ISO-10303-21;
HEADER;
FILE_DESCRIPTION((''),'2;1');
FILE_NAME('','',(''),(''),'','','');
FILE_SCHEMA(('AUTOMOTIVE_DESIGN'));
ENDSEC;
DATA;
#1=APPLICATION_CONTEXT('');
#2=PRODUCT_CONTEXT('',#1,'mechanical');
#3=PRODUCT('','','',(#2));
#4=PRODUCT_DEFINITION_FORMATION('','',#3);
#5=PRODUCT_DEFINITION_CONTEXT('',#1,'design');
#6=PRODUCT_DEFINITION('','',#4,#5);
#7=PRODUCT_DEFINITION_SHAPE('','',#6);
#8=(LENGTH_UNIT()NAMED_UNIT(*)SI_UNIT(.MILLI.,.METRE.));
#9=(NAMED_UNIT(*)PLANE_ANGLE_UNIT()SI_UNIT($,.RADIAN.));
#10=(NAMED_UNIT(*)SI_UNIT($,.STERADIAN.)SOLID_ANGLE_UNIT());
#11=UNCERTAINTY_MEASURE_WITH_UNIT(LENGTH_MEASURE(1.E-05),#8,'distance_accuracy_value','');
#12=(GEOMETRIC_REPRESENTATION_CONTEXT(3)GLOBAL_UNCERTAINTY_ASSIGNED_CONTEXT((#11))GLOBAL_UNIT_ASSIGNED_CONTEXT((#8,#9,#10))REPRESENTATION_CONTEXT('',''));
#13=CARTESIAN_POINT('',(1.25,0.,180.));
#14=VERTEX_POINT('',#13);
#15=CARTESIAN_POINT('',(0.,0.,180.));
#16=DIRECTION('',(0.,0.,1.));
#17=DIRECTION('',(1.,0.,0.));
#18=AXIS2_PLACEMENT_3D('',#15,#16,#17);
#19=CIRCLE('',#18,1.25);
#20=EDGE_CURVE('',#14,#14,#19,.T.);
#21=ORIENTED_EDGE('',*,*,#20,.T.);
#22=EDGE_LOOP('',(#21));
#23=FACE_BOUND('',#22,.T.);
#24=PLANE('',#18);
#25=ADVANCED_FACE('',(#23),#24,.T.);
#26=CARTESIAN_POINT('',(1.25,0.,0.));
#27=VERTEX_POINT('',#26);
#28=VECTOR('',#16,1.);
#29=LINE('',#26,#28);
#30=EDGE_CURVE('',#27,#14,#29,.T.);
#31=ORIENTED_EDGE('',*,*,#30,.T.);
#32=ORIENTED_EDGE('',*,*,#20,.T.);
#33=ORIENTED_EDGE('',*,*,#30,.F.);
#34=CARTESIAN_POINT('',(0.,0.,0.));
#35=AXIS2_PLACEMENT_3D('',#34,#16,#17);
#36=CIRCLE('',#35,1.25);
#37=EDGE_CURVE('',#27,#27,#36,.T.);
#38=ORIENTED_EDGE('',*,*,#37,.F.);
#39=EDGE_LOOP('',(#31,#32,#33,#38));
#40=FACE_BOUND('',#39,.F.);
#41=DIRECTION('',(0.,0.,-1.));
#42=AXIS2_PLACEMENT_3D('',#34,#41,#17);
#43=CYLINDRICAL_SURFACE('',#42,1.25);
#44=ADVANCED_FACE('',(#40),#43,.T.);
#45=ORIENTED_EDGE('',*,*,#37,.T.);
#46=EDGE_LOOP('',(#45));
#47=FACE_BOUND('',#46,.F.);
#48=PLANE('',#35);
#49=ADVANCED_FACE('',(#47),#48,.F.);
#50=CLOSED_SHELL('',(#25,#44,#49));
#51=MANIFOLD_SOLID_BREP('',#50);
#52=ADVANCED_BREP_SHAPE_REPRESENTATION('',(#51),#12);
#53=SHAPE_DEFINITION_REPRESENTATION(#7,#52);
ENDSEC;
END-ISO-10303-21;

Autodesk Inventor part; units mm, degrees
ref_plane "YZ Plane" through (0, 0, 0) normal (1, 0, 0) x (0, 1, 0)
ref_plane "XZ Plane" through (0, 0, 0) normal (0, 1, 0) x (-1, 0, 0)
ref_plane "XY Plane" through (0, 0, 0) normal (0, 0, 1) x (1, 0, 0)
sketch "Sketch1" plane through (0, 0, 0) normal (0, 0, 1) x (1, 0, 0)
  circle A0 centre (0, 0) radius 1.25
  dimension "d0" = 2.5
extrude "Extrusion1" add sketch "Sketch1" along normal blind 180
properties part number "TijaAluminiu2.5x180"
